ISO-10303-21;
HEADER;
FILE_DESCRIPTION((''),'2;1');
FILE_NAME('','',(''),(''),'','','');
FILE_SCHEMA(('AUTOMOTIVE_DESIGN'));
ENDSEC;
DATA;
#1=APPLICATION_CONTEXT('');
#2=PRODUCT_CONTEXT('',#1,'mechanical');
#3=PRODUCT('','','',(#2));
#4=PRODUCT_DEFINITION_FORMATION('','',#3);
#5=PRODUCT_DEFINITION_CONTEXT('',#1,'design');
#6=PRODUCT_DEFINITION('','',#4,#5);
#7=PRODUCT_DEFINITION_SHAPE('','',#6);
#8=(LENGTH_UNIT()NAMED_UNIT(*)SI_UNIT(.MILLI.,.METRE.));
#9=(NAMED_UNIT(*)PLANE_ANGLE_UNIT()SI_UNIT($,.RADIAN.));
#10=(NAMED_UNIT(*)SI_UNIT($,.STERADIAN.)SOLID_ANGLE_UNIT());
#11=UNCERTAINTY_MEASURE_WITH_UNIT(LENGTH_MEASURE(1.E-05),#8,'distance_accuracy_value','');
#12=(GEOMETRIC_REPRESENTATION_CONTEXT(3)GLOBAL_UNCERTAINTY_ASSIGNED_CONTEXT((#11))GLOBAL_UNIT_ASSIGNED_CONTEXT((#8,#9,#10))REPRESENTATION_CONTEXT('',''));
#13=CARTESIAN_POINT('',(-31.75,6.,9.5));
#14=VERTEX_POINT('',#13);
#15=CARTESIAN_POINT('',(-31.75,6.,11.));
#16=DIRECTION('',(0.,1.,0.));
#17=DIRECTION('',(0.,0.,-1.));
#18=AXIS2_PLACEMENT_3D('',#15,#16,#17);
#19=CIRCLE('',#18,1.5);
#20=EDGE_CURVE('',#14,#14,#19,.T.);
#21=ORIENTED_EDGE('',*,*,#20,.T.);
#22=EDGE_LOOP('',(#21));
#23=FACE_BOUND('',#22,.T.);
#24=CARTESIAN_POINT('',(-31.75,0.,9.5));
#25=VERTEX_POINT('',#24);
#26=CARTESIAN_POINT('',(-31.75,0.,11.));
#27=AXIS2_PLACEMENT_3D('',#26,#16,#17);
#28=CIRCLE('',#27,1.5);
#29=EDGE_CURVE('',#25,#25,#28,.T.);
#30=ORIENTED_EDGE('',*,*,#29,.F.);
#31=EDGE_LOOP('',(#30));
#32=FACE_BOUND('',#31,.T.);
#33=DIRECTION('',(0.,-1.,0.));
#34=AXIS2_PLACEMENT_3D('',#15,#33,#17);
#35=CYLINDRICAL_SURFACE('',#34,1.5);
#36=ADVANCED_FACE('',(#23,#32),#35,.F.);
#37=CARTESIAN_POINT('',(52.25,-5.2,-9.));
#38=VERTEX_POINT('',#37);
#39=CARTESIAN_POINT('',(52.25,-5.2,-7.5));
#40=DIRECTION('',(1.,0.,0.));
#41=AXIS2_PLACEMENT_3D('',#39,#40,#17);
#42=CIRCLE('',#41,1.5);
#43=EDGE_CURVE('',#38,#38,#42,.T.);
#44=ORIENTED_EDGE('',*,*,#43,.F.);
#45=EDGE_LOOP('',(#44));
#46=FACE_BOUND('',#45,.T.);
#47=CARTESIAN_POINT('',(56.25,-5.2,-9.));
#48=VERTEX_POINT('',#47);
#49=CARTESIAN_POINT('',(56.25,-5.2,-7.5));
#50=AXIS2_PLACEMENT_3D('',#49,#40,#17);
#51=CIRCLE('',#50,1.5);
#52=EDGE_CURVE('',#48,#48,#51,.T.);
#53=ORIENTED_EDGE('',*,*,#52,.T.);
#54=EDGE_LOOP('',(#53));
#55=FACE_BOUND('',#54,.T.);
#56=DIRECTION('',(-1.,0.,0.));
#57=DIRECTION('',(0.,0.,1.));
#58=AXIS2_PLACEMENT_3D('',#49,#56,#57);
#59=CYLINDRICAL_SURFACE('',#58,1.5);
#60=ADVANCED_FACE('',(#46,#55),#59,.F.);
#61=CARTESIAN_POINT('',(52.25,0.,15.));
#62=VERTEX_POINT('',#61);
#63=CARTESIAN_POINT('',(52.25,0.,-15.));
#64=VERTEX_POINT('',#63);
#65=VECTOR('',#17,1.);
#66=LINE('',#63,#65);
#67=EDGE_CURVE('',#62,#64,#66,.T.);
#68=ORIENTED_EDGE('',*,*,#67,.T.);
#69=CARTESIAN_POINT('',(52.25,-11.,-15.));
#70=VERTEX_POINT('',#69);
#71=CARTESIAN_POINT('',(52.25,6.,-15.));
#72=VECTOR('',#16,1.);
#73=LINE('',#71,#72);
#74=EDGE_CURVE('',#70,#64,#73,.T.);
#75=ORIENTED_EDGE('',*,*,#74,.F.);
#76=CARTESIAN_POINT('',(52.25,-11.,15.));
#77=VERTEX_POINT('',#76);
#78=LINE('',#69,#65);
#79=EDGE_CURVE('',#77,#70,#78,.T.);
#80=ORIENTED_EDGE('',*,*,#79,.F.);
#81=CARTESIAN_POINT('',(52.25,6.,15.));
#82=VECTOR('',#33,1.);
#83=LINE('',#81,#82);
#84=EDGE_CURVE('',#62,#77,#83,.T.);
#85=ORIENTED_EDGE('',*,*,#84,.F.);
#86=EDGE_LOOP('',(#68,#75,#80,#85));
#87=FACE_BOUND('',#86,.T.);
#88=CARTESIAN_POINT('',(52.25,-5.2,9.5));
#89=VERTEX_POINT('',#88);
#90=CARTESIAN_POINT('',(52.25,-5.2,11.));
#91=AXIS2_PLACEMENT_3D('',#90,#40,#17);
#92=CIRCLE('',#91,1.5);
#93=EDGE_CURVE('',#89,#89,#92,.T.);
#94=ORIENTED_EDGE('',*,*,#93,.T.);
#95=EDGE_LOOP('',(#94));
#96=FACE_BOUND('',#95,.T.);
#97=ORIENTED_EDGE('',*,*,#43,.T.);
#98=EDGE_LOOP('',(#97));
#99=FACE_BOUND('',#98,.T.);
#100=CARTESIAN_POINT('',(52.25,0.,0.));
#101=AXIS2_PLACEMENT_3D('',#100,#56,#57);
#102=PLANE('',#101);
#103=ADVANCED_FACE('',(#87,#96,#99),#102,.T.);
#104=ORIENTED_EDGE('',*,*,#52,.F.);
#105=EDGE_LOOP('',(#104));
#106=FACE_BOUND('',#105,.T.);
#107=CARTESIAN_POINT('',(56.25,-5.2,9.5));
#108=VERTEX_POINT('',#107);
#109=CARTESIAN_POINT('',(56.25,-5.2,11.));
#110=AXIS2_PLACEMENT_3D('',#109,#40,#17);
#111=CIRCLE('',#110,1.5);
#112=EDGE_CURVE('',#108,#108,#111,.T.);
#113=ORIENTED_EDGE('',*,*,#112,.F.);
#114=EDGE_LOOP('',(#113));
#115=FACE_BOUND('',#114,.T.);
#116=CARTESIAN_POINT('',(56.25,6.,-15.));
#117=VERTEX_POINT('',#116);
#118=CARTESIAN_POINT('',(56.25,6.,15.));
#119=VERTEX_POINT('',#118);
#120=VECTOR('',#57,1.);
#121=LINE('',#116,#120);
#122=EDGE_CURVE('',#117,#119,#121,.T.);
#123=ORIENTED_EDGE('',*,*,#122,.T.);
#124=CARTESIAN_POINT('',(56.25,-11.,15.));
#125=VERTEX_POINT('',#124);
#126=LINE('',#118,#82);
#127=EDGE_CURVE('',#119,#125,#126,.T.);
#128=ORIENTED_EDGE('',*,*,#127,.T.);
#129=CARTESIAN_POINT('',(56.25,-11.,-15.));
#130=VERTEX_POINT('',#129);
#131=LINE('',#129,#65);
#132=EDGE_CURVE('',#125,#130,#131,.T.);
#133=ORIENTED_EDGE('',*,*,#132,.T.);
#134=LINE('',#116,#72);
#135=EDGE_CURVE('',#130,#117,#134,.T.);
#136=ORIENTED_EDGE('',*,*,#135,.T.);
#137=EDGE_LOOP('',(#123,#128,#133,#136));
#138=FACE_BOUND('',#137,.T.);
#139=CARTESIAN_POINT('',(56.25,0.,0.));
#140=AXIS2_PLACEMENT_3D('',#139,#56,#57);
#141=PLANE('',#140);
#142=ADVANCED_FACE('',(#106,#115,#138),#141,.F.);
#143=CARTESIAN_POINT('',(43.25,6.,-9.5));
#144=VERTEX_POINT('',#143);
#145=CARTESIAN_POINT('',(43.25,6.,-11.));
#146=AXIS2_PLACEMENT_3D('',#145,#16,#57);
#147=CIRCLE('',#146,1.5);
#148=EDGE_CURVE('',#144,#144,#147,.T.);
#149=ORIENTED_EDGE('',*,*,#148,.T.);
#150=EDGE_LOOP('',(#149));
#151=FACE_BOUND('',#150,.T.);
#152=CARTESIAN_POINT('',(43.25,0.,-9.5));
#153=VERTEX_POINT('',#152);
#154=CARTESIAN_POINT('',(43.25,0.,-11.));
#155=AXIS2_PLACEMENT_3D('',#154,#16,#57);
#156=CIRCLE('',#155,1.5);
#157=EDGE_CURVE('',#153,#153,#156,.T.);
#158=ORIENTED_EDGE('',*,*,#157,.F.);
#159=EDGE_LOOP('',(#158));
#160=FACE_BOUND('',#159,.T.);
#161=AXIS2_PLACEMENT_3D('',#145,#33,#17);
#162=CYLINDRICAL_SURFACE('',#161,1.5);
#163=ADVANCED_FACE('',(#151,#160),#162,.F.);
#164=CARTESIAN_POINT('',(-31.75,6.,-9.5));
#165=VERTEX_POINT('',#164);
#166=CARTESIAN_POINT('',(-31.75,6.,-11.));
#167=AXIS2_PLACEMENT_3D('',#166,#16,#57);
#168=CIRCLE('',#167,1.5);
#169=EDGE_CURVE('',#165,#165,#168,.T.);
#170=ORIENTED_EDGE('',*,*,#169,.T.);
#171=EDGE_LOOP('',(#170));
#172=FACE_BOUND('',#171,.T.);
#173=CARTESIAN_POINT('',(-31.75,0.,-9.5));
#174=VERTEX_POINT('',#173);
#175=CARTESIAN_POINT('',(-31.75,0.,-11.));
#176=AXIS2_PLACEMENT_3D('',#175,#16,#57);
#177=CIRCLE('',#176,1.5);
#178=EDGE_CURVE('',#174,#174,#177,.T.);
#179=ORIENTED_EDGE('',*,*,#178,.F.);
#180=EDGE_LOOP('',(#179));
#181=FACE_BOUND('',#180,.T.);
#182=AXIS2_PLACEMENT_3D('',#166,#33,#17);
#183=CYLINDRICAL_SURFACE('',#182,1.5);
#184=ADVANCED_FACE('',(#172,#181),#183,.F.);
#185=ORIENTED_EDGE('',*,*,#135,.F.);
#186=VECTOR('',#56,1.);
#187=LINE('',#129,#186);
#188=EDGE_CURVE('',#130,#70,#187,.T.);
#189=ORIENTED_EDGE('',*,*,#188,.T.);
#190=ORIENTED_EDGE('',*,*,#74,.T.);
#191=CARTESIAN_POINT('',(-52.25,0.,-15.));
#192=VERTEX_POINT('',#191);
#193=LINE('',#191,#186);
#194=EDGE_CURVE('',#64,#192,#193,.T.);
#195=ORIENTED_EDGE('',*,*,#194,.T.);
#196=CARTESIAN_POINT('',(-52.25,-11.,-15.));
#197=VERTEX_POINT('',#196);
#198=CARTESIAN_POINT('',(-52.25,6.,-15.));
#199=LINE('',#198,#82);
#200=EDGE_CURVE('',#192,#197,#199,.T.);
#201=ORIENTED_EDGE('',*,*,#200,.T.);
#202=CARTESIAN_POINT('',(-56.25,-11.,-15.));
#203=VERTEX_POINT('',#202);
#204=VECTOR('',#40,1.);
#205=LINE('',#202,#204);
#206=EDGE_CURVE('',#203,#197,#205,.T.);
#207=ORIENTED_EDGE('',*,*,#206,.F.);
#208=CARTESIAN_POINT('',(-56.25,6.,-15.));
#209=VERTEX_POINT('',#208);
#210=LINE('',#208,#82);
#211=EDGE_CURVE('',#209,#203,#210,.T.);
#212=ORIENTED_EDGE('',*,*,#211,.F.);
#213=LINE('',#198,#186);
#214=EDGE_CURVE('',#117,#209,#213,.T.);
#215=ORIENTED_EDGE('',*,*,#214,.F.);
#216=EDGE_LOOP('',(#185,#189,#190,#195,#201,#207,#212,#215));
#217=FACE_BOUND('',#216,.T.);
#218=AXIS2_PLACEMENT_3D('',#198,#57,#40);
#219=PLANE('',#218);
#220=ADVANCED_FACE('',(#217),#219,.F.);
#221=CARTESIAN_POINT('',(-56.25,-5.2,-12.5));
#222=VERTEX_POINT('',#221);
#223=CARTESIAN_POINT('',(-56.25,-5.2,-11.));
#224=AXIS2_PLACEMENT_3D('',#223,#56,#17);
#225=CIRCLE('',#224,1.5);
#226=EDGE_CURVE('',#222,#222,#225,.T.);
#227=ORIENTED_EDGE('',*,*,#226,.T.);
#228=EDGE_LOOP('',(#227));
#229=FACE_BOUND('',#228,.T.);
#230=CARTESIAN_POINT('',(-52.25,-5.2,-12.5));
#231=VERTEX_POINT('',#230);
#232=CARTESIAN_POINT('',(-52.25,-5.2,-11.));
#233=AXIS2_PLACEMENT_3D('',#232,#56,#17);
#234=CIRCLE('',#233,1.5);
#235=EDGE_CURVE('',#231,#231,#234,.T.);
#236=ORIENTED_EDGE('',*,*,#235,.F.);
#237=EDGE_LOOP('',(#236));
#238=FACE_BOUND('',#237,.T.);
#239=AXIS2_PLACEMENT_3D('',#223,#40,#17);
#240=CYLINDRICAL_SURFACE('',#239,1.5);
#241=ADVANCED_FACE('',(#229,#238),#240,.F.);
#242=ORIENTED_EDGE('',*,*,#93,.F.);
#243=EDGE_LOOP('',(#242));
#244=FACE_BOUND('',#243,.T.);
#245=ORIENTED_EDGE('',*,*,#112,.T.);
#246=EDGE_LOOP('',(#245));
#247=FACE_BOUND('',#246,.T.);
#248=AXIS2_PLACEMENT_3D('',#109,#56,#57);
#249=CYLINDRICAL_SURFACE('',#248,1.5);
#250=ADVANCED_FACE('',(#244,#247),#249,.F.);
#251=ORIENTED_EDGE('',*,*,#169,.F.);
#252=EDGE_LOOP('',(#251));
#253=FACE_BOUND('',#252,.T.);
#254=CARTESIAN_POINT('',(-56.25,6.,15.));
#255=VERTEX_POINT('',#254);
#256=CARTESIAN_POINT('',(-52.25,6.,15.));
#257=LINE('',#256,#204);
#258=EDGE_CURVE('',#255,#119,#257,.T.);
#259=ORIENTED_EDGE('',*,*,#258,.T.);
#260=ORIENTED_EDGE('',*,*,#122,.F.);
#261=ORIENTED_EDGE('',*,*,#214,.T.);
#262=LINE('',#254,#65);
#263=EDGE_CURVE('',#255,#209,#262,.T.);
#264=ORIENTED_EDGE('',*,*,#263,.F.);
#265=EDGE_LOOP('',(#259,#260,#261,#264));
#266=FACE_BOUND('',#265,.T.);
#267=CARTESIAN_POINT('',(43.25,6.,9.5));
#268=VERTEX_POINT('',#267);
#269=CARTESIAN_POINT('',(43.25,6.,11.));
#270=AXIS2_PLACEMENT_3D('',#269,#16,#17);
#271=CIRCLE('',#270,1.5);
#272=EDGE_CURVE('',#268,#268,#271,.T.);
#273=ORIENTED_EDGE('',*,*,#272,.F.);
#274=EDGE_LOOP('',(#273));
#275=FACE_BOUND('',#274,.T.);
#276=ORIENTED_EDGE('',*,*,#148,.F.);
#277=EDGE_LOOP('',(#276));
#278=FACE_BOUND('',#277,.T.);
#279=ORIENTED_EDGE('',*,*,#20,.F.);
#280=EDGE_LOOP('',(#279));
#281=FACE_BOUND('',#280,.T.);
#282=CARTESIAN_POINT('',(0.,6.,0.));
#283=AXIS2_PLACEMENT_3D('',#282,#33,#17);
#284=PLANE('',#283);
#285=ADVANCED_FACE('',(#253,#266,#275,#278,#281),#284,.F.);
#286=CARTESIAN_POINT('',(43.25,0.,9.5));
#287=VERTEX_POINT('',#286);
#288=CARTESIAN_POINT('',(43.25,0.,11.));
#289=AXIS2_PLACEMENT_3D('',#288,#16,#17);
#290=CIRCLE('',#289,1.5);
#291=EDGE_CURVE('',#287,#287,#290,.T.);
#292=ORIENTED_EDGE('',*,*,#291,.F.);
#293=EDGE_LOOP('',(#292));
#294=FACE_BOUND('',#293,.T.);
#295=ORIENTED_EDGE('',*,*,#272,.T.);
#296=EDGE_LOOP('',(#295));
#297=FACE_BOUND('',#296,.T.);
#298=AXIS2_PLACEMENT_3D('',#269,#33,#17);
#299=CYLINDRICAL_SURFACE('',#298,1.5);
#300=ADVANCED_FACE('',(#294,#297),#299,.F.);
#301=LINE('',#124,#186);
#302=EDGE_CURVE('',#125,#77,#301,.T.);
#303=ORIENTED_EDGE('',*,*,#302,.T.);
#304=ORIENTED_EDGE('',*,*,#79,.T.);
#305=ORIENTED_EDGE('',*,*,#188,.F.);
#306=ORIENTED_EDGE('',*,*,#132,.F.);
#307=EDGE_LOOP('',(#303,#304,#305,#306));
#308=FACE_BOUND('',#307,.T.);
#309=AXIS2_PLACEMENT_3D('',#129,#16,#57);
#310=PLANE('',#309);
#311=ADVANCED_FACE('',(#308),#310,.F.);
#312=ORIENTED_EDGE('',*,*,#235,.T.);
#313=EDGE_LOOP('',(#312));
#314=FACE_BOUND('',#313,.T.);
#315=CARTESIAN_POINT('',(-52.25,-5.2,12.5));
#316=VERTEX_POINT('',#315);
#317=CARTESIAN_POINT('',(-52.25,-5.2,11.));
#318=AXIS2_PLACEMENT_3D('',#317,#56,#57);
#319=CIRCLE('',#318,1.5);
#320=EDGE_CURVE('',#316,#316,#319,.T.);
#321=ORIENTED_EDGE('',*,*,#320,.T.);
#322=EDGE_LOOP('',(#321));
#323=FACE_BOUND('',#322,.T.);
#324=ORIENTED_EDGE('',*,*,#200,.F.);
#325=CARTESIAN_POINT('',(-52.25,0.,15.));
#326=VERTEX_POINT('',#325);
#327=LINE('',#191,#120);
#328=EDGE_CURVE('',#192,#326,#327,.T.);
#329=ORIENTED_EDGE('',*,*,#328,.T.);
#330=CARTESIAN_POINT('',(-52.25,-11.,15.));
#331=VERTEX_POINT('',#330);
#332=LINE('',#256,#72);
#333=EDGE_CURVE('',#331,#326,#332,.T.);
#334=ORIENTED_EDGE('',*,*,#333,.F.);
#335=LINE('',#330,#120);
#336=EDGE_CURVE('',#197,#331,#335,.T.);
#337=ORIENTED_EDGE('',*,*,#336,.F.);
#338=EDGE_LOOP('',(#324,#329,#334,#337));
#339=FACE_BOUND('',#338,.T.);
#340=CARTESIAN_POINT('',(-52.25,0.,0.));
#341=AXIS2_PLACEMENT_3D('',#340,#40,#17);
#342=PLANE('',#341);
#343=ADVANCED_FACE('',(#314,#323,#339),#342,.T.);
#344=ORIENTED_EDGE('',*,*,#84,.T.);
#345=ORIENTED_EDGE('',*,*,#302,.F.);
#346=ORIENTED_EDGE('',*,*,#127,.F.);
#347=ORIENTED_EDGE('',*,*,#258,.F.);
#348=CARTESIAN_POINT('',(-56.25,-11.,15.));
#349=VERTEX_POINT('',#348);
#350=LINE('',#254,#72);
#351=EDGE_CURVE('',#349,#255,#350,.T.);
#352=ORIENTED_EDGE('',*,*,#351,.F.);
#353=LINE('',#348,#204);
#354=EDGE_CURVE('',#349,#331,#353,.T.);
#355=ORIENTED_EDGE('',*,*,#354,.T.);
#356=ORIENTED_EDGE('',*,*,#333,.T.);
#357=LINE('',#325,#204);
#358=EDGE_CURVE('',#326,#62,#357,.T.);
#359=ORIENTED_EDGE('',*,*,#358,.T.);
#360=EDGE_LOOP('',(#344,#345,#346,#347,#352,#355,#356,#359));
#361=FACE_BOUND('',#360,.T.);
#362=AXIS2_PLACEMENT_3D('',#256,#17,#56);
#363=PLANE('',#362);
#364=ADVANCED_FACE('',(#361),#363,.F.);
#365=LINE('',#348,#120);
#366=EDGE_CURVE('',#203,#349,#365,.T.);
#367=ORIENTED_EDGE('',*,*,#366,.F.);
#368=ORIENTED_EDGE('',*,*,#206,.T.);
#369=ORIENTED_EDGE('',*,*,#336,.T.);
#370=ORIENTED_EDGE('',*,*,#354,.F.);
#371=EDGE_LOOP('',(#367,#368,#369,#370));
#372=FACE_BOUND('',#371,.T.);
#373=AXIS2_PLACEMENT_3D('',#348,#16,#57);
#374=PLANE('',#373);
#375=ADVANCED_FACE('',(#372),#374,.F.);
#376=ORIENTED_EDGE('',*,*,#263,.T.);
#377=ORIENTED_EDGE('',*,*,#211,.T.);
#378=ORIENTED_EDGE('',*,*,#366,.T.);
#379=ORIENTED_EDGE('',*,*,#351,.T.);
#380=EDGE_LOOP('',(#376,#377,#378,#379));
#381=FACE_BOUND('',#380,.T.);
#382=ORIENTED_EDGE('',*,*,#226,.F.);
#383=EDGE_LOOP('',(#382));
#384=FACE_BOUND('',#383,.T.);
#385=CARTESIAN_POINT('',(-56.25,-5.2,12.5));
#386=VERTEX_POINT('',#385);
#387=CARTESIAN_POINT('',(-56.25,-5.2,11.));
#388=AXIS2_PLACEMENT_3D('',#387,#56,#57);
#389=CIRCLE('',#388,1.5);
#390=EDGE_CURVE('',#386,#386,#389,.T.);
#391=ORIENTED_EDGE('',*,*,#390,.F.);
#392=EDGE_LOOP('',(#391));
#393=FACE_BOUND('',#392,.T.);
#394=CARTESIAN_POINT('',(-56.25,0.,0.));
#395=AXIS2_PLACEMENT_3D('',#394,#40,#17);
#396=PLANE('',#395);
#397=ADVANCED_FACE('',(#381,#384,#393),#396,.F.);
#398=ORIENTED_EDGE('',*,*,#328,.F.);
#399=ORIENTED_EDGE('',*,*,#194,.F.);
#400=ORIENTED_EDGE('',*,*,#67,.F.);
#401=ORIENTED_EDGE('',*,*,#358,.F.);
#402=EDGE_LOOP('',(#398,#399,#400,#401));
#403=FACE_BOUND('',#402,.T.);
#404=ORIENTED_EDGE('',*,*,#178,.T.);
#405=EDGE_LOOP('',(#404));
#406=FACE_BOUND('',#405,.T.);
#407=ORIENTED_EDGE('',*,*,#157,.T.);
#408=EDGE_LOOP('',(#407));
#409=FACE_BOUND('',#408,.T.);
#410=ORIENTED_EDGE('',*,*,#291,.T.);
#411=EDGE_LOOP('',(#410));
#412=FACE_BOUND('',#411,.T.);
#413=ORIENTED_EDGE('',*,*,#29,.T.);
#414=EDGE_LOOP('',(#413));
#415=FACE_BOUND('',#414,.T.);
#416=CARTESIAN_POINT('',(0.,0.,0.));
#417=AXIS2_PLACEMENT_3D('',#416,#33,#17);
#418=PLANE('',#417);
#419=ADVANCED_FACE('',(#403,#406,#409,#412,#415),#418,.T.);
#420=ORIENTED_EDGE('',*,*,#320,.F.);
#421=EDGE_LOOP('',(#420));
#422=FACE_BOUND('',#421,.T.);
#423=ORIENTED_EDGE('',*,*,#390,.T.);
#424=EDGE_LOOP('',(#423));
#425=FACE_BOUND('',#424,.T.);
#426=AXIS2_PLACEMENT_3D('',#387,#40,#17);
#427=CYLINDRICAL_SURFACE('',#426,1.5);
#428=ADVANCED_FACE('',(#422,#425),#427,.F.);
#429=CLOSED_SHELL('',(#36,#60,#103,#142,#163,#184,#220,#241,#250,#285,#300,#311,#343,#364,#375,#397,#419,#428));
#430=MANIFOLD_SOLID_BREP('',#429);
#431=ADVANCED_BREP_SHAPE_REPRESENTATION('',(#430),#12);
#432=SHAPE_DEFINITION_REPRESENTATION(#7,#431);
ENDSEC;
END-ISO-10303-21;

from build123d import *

# Parameters (mm, degrees)
SKETCH_1_W      = 104.5
SKETCH_1_H      = 30
SKETCH_1_R      = 1.5
EXTRUDE_1_DEPTH = 6
SKETCH_2_W      = 30
SKETCH_2_H      = 17
SKETCH_2_R      = 1.5
EXTRUDE_2_DEPTH = 4
EXTRUDE_START   = 4
SKETCH_3_W      = 30
SKETCH_3_H      = 17
SKETCH_3_R      = 1.5
EXTRUDE_3_DEPTH = 4


with BuildPart() as part:
    # 草图1 → 凸台-拉伸1 (new body)
    with BuildSketch(Plane(origin=(0, 0, 0), x_dir=(1, 0, 0), z_dir=(0, 1, 0))):
        Rectangle(SKETCH_1_W, SKETCH_1_H)
        with Locations(Location((-31.75, 11, 0), (0, 0, 270))):
            Circle(SKETCH_1_R, mode=Mode.SUBTRACT)
        with Locations(Location((43.25, 11, 0), (0, 0, 270))):
            Circle(SKETCH_1_R, mode=Mode.SUBTRACT)
        with Locations(Location((43.25, -11, 0), (0, 0, 90))):
            Circle(SKETCH_1_R, mode=Mode.SUBTRACT)
        with Locations(Location((-31.75, -11, 0), (0, 0, 90))):
            Circle(SKETCH_1_R, mode=Mode.SUBTRACT)
    extrude(amount=EXTRUDE_1_DEPTH)

    # 草图2 → 凸台-拉伸2 (add)
    with BuildSketch(Plane.ZY.offset(52.25)):
        with Locations((0, -2.5)):
            Rectangle(SKETCH_2_W, SKETCH_2_H)
        with Locations((11, -5.2)):
            Circle(SKETCH_2_R, mode=Mode.SUBTRACT)
        with Locations(Location((-11, -5.2, 0), (0, 0, 180))):
            Circle(SKETCH_2_R, mode=Mode.SUBTRACT)
    extrude(amount=EXTRUDE_2_DEPTH)

    # 草图3 → 凸台-拉伸3 (add)
    with BuildSketch(Plane(origin=(52.25, 0, 0), x_dir=(0, 0, -1), z_dir=(1, 0, 0)).offset(EXTRUDE_START)):
        with Locations((0, -2.5)):
            Rectangle(SKETCH_3_W, SKETCH_3_H)
        with Locations(Location((-11, -5.2, 0), (0, 0, 180))):
            Circle(SKETCH_3_R, mode=Mode.SUBTRACT)
        with Locations((7.5, -5.2)):
            Circle(SKETCH_3_R, mode=Mode.SUBTRACT)
    extrude(amount=-EXTRUDE_3_DEPTH)


solid = part.part
